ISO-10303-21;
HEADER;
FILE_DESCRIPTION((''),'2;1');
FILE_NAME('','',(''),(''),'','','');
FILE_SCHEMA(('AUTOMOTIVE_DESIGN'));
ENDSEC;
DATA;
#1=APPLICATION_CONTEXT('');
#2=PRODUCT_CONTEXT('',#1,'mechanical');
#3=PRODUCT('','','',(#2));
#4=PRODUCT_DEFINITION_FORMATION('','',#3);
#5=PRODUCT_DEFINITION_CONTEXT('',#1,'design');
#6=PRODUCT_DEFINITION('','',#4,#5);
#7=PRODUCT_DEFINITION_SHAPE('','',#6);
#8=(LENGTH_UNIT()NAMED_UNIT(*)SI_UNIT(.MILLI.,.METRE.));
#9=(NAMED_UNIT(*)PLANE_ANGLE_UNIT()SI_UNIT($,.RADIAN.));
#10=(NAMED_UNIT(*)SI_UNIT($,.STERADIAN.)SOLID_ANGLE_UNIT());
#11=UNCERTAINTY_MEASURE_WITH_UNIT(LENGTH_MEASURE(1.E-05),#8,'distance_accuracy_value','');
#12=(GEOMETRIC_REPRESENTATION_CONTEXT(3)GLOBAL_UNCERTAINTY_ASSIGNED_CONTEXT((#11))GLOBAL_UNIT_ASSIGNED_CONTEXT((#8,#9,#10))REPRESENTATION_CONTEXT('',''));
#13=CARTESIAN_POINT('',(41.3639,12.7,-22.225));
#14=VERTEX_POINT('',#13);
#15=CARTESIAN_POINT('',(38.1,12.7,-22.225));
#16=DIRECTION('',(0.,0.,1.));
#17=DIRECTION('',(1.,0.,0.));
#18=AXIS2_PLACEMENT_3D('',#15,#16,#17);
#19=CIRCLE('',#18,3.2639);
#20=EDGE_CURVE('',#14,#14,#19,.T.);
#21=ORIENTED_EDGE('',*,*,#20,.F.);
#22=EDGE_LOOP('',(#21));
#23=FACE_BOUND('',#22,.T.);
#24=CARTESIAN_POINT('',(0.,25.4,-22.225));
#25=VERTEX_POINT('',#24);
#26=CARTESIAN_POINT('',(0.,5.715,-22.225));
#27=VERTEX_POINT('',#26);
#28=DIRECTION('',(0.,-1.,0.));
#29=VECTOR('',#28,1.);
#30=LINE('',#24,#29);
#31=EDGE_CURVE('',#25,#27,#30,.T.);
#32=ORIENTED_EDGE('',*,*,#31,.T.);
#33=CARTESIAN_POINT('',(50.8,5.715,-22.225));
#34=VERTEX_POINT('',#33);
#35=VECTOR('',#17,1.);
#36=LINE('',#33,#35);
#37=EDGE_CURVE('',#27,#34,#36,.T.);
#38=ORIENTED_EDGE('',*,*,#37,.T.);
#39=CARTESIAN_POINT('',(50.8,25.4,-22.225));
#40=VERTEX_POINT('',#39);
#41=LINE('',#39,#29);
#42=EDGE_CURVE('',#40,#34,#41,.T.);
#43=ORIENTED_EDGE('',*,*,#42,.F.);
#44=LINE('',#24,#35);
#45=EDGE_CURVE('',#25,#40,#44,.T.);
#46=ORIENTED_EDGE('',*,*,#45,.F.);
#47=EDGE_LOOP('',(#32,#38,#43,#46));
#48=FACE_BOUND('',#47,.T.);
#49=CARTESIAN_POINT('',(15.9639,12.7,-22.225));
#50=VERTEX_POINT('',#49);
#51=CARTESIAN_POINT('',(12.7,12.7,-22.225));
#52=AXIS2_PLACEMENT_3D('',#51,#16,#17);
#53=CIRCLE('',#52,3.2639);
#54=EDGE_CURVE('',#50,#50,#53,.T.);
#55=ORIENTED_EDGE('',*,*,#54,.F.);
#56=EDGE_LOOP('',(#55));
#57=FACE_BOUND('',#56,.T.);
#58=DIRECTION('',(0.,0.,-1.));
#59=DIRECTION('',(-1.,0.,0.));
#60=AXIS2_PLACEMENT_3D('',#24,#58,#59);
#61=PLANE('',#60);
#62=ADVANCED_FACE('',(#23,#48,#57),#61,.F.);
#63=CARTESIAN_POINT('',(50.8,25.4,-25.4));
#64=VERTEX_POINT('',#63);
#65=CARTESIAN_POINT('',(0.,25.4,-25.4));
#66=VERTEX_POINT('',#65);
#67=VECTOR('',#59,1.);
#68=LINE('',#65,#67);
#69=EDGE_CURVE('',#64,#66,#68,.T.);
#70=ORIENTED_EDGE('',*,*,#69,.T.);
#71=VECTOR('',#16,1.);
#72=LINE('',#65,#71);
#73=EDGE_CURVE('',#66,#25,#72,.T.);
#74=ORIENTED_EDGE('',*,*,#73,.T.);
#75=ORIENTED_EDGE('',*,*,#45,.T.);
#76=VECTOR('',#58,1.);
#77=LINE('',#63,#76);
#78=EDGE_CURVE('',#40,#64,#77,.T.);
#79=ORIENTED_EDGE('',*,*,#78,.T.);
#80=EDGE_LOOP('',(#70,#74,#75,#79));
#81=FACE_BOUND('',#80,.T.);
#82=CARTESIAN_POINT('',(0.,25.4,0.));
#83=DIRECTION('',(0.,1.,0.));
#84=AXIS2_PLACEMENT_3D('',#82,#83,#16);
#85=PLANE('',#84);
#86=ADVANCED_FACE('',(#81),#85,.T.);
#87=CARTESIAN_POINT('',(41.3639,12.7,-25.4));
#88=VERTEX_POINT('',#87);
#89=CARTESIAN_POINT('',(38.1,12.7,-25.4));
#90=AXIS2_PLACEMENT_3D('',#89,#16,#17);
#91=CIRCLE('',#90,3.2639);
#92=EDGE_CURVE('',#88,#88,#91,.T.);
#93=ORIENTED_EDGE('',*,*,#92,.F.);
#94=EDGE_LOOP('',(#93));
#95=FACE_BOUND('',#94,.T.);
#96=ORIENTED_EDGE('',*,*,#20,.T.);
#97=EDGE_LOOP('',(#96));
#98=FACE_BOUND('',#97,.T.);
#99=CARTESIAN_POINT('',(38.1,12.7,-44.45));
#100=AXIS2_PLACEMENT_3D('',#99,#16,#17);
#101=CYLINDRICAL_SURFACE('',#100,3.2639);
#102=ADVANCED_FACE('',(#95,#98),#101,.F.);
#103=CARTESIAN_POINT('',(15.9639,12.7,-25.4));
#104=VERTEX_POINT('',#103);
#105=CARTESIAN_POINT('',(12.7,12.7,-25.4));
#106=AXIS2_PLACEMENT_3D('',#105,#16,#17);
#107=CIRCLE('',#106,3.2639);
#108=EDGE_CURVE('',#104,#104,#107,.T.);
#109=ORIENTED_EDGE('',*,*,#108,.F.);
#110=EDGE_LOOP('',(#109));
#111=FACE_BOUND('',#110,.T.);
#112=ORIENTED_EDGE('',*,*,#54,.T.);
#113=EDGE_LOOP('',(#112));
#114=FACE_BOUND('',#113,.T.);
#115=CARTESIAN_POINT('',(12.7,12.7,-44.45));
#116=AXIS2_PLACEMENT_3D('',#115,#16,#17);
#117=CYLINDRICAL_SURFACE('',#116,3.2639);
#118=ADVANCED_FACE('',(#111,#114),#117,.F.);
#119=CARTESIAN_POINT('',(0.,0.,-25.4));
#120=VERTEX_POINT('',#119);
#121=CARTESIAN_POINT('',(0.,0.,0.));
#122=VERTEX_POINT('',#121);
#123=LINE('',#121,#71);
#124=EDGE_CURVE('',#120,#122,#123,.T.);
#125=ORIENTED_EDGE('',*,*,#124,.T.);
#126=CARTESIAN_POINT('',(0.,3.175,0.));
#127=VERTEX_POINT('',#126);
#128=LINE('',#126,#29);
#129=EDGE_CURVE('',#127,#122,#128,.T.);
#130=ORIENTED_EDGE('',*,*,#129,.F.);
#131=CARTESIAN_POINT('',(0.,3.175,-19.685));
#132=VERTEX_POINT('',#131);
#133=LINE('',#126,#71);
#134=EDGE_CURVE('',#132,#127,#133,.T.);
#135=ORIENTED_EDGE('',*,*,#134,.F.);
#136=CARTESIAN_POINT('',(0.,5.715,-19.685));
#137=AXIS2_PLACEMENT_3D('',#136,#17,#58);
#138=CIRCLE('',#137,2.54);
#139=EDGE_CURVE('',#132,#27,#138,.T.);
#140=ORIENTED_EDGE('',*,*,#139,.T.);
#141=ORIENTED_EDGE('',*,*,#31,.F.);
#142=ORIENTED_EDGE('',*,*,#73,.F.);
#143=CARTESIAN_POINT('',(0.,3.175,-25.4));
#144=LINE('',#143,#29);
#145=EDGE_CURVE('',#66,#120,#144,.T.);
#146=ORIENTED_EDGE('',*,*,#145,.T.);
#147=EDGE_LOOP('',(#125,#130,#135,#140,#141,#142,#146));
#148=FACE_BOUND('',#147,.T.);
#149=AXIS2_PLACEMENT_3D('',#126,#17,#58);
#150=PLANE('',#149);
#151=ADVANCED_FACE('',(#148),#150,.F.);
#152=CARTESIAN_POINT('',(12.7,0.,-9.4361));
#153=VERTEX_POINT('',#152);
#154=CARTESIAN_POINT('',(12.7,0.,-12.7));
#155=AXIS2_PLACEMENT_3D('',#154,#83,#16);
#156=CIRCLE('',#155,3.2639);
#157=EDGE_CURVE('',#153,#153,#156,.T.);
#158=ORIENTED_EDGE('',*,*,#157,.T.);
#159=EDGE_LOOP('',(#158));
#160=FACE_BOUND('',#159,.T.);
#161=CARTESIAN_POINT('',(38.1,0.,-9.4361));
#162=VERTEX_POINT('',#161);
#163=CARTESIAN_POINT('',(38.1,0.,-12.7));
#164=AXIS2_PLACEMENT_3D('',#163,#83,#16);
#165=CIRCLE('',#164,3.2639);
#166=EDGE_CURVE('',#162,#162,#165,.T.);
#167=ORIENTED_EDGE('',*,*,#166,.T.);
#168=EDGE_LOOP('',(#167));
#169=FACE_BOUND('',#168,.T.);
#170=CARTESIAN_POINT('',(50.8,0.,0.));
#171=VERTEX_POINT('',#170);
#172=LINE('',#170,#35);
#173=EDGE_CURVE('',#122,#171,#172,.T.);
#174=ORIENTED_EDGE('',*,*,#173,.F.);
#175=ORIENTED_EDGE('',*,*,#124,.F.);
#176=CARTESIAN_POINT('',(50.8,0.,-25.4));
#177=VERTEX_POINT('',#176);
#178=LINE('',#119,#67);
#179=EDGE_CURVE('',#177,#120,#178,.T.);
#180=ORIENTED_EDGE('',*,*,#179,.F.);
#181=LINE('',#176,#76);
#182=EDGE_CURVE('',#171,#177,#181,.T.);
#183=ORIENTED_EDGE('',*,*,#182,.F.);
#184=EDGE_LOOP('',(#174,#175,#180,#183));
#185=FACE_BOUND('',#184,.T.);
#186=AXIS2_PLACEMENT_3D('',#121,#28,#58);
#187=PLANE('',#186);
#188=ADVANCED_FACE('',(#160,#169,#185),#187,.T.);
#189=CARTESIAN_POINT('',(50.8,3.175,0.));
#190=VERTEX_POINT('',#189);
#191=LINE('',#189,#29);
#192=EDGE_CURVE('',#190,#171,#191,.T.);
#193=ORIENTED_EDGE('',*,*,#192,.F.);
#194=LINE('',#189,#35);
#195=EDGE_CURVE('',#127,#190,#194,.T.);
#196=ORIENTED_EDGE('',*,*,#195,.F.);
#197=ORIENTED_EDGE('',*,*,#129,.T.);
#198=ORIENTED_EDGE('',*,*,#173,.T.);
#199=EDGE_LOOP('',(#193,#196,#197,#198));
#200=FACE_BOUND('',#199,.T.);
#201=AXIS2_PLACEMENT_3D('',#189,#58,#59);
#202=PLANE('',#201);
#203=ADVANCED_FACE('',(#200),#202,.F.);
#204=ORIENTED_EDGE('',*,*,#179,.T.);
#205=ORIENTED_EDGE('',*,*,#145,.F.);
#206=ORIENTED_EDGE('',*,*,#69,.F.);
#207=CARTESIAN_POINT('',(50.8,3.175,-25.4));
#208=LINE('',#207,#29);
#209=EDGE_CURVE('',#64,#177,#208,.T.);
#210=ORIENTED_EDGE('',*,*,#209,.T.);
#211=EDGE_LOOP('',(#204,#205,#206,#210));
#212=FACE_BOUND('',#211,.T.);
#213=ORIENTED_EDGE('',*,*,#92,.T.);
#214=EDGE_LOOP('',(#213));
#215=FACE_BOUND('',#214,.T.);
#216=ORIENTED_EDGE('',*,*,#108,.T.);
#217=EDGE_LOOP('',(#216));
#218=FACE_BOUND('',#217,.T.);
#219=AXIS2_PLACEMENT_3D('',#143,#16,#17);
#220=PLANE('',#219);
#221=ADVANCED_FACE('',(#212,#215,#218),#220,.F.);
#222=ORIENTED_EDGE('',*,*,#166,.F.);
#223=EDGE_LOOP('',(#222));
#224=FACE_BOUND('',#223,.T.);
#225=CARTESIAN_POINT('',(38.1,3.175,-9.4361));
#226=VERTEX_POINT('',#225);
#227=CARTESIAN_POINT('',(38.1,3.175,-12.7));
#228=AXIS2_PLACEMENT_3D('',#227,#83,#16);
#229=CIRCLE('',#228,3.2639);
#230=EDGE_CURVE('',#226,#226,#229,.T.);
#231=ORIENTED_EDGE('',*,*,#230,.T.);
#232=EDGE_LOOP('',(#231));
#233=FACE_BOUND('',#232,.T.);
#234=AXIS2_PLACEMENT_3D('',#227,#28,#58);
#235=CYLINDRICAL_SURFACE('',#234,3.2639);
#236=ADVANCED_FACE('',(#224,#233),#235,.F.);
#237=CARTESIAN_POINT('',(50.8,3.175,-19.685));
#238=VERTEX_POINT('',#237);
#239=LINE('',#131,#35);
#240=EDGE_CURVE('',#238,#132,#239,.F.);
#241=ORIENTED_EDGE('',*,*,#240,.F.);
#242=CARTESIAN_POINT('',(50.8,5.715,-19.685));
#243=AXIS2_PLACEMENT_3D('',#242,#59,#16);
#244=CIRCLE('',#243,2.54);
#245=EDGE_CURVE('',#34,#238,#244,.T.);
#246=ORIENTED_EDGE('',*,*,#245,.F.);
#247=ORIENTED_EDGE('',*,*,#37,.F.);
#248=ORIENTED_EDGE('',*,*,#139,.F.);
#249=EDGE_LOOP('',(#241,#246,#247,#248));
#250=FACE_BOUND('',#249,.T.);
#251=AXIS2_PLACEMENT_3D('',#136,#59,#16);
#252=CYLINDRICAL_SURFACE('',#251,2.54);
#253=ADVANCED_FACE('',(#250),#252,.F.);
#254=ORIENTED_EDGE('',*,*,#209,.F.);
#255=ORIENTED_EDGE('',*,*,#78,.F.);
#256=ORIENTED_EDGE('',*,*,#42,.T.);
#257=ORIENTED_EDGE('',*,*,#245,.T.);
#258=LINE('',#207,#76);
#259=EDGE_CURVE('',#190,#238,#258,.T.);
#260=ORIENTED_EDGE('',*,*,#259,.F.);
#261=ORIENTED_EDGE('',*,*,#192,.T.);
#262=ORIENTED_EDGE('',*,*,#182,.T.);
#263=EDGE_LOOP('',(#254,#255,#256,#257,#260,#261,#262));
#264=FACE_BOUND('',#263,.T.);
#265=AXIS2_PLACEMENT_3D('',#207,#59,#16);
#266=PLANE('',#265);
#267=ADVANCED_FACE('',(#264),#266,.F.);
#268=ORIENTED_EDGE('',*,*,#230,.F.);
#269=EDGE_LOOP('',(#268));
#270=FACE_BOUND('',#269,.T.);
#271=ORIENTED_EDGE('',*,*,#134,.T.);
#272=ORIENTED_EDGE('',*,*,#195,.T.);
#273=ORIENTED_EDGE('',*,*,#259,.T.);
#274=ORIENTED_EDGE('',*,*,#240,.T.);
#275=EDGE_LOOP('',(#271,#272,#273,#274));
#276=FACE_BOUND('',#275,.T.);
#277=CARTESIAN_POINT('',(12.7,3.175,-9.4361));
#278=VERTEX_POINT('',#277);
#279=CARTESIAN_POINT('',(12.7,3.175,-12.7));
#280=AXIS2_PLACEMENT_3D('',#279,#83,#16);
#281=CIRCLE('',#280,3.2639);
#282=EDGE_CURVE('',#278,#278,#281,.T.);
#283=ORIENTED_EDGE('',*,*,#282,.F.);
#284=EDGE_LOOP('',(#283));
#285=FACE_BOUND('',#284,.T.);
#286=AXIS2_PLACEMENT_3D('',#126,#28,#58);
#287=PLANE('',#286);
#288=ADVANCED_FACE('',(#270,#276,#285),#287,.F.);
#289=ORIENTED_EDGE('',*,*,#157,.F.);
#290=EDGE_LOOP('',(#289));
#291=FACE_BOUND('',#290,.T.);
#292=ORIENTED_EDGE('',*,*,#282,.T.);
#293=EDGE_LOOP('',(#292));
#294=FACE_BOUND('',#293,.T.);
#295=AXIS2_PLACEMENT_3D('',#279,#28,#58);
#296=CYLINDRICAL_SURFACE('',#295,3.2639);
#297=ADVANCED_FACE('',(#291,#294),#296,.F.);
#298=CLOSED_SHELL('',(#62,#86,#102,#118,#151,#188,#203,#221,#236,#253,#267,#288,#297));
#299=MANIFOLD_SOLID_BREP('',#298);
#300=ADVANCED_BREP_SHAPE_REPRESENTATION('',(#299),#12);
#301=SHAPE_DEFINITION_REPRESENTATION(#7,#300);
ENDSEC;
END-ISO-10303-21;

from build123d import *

# Parameters (mm, degrees)
SKETCH1_W           = 50.8
SKETCH1_H           = 25.4
SKETCH1_R           = 3.2639
BOSS_EXTRUDE1_DEPTH = 3.175
SKETCH2_W           = 50.8
SKETCH2_H           = 3.175
BOSS_EXTRUDE2_DEPTH = 22.225
SKETCH3_R           = 3.2639
CUT_EXTRUDE1_DEPTH  = 22.225
FILLET1_R           = 2.54


with BuildPart() as part:
    # Sketch1 → Boss-Extrude1 (new body)
    with BuildSketch(Plane(origin=(0, 0, 0), x_dir=(1, 0, 0), z_dir=(0, 1, 0))):
        with Locations((25.4, 12.7)):
            Rectangle(SKETCH1_W, SKETCH1_H)
        with Locations((12.7, 12.7)):
            Circle(SKETCH1_R, mode=Mode.SUBTRACT)
        with Locations((38.1, 12.7)):
            Circle(SKETCH1_R, mode=Mode.SUBTRACT)
    extrude(amount=BOSS_EXTRUDE1_DEPTH)

    # Sketch2 → Boss-Extrude2 (add)
    with BuildSketch(Plane(origin=(0, 3.175, 0), x_dir=(1, 0, 0), z_dir=(0, 1, 0))):
        with Locations((25.4, 23.8125)):
            Rectangle(SKETCH2_W, SKETCH2_H)
    extrude(amount=BOSS_EXTRUDE2_DEPTH)

    # Sketch3 → Cut-Extrude1 (cut)
    with BuildSketch(Plane.XY.offset(-22.225)):
        with Locations((38.1, 12.7)):
            Circle(SKETCH3_R)
        with Locations((12.7, 12.7)):
            Circle(SKETCH3_R)
    extrude(amount=-CUT_EXTRUDE1_DEPTH, mode=Mode.SUBTRACT)

    # Fillet1
    fillet1_edges = [part.edges().sort_by_distance(p)[0] for p in [
        (25.4, 3.175, -22.225),
    ]]
    fillet(fillet1_edges, radius=FILLET1_R)


solid = part.part
